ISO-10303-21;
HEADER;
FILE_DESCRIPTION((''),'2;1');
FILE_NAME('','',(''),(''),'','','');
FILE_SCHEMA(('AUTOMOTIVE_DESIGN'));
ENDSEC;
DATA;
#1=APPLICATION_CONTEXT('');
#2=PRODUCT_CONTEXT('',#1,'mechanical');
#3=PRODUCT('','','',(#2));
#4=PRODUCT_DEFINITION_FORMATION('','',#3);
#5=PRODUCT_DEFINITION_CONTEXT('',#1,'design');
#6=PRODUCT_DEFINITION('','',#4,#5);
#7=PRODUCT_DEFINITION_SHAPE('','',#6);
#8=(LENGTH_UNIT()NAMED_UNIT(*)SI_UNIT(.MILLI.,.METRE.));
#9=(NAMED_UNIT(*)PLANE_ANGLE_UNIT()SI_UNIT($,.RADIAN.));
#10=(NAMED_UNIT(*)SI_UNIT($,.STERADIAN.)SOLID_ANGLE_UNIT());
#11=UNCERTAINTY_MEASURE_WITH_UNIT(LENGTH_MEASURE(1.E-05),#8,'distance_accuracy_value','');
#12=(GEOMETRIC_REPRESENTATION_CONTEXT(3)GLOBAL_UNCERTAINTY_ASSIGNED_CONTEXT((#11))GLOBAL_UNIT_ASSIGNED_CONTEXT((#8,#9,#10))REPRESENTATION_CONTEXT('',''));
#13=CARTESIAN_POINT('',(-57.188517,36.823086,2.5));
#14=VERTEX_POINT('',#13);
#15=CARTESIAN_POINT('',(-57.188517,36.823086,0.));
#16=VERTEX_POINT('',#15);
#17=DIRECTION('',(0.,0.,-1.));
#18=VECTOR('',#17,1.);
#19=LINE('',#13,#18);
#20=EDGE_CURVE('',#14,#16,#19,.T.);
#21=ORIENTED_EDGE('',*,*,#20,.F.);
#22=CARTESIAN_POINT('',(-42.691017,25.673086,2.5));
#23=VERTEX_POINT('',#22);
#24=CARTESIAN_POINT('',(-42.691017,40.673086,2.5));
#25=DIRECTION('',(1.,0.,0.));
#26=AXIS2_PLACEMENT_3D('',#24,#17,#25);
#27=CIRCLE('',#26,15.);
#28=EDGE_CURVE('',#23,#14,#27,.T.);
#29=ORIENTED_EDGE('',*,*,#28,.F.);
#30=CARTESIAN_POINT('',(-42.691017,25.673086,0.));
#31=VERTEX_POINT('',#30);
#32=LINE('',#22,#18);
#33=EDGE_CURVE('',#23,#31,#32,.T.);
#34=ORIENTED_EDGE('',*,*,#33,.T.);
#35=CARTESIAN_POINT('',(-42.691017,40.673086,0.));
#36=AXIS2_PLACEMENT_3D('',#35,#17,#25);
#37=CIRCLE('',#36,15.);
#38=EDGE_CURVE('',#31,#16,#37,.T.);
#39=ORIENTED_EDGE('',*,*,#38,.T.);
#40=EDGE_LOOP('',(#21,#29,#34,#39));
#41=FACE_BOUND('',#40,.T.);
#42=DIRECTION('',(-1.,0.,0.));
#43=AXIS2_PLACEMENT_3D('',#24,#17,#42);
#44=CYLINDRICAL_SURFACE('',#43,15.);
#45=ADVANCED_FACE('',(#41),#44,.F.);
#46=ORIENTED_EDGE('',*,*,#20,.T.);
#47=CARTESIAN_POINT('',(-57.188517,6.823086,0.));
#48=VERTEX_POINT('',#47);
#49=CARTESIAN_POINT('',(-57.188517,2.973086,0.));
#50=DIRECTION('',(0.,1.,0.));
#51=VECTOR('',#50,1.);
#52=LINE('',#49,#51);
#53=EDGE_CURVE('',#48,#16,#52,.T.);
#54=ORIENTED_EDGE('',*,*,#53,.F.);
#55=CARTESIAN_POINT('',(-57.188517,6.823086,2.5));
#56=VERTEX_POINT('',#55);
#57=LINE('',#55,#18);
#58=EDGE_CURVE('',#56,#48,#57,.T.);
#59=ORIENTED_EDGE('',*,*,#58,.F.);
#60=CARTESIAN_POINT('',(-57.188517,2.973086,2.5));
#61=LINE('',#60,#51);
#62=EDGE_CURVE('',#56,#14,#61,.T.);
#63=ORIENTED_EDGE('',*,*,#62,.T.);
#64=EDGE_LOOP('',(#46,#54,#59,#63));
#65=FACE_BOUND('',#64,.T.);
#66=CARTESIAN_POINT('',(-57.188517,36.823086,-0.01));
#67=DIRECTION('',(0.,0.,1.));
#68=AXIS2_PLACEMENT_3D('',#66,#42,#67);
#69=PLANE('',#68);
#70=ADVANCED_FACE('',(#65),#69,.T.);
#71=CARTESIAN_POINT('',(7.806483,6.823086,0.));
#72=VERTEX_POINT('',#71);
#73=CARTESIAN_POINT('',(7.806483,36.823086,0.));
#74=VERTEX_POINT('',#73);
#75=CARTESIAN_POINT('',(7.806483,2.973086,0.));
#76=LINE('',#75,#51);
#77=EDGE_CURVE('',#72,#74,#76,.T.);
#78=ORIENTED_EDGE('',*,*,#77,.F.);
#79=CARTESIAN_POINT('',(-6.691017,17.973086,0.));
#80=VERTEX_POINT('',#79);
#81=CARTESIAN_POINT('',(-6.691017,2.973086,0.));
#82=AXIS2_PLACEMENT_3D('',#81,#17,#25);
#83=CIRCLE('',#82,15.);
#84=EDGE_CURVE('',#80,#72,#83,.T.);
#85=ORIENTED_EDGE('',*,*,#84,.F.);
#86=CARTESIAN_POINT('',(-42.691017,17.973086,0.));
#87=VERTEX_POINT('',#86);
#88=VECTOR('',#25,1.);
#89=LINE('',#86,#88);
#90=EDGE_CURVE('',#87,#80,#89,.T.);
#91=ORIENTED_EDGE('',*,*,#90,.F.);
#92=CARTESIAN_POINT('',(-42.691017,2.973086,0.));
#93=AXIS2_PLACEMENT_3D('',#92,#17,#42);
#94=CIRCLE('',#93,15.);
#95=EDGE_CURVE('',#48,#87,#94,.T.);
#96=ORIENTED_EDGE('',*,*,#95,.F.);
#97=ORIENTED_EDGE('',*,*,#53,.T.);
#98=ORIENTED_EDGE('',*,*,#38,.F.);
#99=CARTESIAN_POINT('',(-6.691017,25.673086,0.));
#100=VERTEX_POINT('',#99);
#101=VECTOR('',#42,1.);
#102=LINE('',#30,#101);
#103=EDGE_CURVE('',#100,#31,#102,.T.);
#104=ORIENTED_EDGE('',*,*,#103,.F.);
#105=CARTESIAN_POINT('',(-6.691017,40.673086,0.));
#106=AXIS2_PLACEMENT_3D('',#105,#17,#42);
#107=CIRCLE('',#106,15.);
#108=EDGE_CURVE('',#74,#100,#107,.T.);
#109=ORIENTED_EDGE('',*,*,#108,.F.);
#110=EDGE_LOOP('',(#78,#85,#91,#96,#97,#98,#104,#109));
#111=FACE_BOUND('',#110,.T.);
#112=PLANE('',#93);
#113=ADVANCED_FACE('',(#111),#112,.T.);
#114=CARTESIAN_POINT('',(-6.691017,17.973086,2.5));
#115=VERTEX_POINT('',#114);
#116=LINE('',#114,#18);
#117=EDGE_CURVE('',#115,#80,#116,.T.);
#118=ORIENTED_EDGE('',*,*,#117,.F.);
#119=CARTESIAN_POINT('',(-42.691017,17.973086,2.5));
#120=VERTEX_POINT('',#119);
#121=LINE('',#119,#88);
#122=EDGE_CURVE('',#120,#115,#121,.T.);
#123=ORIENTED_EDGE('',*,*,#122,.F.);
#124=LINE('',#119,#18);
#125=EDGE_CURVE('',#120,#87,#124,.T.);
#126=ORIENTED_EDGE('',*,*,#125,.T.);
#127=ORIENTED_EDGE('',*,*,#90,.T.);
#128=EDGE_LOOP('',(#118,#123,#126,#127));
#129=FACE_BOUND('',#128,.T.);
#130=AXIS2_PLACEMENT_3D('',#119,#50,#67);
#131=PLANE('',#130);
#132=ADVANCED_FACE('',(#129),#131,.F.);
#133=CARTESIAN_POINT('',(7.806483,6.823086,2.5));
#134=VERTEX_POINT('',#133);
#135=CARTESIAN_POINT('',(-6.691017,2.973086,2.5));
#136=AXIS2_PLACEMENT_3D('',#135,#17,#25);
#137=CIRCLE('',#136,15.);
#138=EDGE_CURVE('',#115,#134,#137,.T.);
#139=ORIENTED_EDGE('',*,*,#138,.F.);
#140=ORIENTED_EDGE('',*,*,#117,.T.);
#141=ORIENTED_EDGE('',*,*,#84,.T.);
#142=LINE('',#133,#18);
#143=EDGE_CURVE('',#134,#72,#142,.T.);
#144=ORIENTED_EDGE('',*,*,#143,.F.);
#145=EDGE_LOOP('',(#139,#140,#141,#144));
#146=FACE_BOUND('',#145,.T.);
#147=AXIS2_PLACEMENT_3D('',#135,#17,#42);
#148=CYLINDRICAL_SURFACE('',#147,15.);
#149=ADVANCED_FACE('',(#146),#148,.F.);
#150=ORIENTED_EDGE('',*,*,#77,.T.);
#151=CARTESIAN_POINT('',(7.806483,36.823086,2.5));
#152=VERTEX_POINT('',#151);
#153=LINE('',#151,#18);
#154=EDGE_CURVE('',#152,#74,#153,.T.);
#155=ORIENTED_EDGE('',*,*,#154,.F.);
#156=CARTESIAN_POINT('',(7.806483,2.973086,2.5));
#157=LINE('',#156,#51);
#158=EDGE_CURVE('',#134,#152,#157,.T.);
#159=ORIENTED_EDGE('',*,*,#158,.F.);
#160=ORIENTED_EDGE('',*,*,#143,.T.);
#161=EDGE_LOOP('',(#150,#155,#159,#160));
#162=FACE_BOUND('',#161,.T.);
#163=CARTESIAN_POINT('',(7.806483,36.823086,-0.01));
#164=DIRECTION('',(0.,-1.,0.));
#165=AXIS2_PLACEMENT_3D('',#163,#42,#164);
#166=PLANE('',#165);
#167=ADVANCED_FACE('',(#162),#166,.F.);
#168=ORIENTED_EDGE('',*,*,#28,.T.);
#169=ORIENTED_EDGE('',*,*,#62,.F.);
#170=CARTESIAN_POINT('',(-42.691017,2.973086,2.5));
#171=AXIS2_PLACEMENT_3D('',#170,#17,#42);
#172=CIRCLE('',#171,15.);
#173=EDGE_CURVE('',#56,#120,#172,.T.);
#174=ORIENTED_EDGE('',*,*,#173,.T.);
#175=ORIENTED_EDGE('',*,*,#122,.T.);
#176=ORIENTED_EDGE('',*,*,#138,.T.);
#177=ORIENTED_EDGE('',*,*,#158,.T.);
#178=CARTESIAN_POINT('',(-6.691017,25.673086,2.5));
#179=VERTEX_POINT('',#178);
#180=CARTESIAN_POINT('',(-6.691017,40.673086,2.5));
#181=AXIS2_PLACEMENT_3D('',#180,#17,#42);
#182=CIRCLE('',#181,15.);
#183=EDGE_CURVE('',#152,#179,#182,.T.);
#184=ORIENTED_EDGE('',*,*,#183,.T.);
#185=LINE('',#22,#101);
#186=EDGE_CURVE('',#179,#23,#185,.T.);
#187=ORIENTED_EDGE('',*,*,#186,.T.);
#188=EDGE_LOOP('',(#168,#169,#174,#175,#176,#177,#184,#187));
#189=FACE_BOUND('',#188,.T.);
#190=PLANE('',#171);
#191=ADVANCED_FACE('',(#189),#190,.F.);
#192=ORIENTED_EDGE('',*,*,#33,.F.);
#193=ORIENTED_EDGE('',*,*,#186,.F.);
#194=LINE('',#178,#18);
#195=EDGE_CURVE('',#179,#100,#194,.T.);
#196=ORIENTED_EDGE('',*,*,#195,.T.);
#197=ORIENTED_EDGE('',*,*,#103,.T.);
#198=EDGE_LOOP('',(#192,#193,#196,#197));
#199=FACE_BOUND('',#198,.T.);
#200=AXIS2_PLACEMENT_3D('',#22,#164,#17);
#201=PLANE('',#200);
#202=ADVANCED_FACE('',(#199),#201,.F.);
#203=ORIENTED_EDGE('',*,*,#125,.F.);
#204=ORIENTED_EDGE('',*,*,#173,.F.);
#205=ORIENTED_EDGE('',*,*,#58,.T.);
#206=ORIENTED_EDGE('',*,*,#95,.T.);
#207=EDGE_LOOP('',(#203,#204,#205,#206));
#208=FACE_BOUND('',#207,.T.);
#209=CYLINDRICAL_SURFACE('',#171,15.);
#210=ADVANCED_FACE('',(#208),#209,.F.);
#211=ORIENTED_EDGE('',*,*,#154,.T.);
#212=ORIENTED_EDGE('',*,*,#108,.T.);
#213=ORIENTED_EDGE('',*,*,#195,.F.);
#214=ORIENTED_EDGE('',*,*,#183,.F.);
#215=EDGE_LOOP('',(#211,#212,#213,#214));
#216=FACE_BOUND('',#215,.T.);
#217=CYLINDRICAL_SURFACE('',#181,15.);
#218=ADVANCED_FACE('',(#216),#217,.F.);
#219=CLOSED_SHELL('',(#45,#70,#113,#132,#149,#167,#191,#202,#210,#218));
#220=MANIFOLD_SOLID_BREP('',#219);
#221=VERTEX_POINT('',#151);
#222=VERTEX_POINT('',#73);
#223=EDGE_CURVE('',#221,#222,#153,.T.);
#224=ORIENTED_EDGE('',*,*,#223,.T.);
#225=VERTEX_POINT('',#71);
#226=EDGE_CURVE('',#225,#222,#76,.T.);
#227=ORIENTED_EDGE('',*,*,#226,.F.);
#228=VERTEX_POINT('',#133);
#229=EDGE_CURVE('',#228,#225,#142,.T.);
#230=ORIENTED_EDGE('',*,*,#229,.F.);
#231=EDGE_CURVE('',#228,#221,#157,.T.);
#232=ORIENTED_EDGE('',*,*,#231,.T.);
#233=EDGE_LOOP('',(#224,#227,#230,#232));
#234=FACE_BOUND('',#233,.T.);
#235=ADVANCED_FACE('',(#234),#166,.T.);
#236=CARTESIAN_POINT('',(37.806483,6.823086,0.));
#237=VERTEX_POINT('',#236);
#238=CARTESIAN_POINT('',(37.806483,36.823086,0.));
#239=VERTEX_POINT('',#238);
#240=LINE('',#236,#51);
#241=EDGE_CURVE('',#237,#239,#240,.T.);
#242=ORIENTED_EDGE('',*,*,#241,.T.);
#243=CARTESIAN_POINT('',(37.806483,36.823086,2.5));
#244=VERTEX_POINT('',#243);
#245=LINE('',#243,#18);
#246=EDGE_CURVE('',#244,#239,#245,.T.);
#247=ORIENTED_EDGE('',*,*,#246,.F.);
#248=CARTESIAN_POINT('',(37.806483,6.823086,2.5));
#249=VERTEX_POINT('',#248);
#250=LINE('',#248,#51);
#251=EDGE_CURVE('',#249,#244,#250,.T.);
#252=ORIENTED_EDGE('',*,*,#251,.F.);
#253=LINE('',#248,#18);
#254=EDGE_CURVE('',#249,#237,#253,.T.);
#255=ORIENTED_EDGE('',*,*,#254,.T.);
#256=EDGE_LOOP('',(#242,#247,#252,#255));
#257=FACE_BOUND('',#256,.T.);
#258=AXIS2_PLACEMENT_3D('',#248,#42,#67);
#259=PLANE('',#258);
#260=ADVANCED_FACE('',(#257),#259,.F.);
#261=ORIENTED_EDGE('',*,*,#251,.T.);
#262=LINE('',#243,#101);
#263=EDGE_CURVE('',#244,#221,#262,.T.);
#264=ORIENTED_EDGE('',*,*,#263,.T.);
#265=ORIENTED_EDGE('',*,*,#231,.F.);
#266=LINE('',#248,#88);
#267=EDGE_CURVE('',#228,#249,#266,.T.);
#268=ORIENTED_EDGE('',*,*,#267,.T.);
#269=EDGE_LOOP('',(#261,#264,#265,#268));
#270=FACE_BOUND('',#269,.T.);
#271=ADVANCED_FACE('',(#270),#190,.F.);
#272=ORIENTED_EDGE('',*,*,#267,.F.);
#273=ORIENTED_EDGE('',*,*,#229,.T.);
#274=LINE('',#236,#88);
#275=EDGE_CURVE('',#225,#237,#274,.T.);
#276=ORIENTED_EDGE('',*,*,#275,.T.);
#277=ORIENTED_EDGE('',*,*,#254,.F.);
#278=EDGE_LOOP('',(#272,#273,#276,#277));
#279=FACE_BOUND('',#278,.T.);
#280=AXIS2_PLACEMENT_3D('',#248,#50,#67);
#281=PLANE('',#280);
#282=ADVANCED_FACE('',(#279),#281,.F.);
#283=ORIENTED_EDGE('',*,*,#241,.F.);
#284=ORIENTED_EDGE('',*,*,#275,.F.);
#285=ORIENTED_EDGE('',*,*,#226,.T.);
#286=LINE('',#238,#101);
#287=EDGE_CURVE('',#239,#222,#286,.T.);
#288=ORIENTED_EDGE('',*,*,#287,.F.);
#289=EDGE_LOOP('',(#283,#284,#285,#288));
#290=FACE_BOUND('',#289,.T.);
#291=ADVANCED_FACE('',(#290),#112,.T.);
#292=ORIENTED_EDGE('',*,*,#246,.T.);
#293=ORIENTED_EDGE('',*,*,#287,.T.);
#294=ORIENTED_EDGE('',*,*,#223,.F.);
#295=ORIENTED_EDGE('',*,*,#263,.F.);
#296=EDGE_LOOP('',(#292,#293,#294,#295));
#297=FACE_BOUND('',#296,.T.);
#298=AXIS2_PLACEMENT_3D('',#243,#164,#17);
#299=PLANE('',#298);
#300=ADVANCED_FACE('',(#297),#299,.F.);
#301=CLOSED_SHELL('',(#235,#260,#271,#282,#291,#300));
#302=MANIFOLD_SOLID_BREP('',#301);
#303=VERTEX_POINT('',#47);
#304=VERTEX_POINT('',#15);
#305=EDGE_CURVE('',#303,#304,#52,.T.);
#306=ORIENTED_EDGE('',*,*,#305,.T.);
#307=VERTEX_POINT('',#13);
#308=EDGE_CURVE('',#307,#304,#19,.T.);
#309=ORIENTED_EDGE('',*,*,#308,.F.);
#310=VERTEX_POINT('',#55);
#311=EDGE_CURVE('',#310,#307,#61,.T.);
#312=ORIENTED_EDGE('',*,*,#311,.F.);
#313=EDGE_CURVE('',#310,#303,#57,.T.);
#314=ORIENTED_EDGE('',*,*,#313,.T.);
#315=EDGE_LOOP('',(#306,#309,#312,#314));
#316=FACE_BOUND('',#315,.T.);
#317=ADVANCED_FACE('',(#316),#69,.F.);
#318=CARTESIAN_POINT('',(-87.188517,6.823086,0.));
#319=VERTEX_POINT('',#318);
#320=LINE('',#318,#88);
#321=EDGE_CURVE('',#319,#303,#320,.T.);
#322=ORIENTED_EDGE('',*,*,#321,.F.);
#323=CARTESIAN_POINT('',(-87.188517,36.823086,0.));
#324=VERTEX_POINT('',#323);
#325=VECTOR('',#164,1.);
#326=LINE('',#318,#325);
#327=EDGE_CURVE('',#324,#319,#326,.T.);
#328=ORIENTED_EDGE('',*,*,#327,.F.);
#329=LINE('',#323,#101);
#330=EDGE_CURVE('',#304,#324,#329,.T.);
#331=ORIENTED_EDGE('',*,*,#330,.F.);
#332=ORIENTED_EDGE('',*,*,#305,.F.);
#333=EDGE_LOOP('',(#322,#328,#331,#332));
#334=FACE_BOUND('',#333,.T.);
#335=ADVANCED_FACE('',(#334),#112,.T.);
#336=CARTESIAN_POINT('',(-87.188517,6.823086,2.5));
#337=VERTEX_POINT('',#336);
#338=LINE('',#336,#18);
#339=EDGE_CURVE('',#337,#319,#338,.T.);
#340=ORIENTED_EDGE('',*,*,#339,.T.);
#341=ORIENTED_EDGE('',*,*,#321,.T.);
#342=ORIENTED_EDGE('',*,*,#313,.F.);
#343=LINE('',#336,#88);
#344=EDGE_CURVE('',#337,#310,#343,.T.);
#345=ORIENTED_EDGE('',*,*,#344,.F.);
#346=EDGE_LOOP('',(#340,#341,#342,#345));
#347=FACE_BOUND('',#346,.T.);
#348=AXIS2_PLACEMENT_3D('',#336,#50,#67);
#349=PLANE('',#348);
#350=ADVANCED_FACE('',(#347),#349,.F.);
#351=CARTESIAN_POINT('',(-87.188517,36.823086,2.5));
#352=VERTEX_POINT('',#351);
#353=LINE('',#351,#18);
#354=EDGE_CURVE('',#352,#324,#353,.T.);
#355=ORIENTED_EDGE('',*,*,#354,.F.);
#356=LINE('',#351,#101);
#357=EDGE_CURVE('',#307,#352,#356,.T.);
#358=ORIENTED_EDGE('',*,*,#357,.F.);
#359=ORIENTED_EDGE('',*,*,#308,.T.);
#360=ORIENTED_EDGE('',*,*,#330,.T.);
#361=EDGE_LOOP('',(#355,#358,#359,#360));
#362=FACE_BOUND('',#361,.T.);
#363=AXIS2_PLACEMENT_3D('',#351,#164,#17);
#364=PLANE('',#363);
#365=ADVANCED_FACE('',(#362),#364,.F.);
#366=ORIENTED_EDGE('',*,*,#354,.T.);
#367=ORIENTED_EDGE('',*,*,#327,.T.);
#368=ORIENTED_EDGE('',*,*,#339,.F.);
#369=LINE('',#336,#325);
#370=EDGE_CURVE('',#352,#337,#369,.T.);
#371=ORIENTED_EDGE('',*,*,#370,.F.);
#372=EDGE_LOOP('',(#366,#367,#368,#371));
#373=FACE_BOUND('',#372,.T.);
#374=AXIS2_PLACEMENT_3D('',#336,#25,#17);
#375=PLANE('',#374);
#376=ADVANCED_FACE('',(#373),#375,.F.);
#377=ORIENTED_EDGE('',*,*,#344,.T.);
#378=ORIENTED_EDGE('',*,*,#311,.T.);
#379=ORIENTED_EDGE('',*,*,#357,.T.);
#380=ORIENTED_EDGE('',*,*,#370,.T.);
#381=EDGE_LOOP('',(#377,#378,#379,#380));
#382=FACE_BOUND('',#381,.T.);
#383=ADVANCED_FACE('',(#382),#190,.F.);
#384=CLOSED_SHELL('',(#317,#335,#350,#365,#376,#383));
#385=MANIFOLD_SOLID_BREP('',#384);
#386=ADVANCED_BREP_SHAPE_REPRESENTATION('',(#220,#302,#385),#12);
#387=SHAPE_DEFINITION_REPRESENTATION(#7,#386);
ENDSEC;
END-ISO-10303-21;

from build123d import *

# Parameters (mm, degrees)
BOSS_EXTRUDE1_DEPTH      = 2.5
SPLIT1_SURFACE_1_1_BACK  = 129.569
SPLIT1_SURFACE_1_1_DEPTH = 259.138
SPLIT1_SURFACE_1_2_BACK  = 129.569
SPLIT1_SURFACE_1_2_DEPTH = 259.138
SPLIT1_SURFACE_2_3_BACK  = 129.569
SPLIT1_SURFACE_2_3_DEPTH = 259.138
SPLIT1_SURFACE_2_4_BACK  = 129.569
SPLIT1_SURFACE_2_4_DEPTH = 259.138


with BuildPart() as part:
    # Sketch1 → Boss-Extrude1 (new body)
    with BuildSketch(Plane.XY):
        with BuildLine():
            Line((-87.188517058, 6.82308605), (-87.188517058, 36.82308605))
            Line((-87.188517058, 36.82308605), (-57.188517058, 36.82308605))
            ThreePointArc((-57.188517058, 36.82308605), (-51.835687852, 28.782964099), (-42.691017273, 25.67308605))
            Line((-42.691017273, 25.67308605), (-6.691017273, 25.67308605))
            ThreePointArc((-6.691017273, 25.67308605), (2.453653306, 28.782964099), (7.806482511, 36.82308605))
            Line((7.806482511, 36.82308605), (37.806482511, 36.82308605))
            Line((37.806482511, 36.82308605), (37.806482511, 6.82308605))
            Line((37.806482511, 6.82308605), (7.806482511, 6.82308605))
            ThreePointArc((7.806482511, 6.82308605), (2.453653306, 14.863208001), (-6.691017273, 17.97308605))
            Line((-6.691017273, 17.97308605), (-42.691017273, 17.97308605))
            ThreePointArc((-42.691017273, 17.97308605), (-51.835687852, 14.863208001), (-57.188517058, 6.82308605))
            Line((-57.188517058, 6.82308605), (-87.188517058, 6.82308605))
        make_face()
    extrude(amount=BOSS_EXTRUDE1_DEPTH)


with BuildPart() as body_2:
    # Split1: the piece behind the surface
    add(part.part)
    # Split1 surface 1: a surface, the sketch's curves swept straight by 259.138 mm
    with BuildLine(Plane.XY.offset(2.5).offset(-SPLIT1_SURFACE_1_1_BACK), mode=Mode.PRIVATE) as split1_surface_1_1_path:
        Line((-57.188517058, 36.82308605), (-57.188517058, 6.82308605))
    split1_surface_1_1 = Shell.extrude(split1_surface_1_1_path.wire(), (0 * SPLIT1_SURFACE_1_1_DEPTH, 0 * SPLIT1_SURFACE_1_1_DEPTH, 1 * SPLIT1_SURFACE_1_1_DEPTH))
    split(bisect_by=split1_surface_1_1, keep=Keep.BOTTOM)


with BuildPart() as part_1:
    add(part.part)

    # Split1: split by a surface, the side it looks to stays
    # Split1 surface 1: a surface, the sketch's curves swept straight by 259.138 mm
    with BuildLine(Plane.XY.offset(2.5).offset(-SPLIT1_SURFACE_1_2_BACK), mode=Mode.PRIVATE) as split1_surface_1_2_path:
        Line((-57.188517058, 36.82308605), (-57.188517058, 6.82308605))
    split1_surface_1_2 = Shell.extrude(split1_surface_1_2_path.wire(), (0 * SPLIT1_SURFACE_1_2_DEPTH, 0 * SPLIT1_SURFACE_1_2_DEPTH, 1 * SPLIT1_SURFACE_1_2_DEPTH))
    split(bisect_by=split1_surface_1_2, keep=Keep.TOP)


with BuildPart() as body_3:
    # Split1 2: the piece behind the surface
    add(part_1.part)
    # Split1 surface 2: a surface, the sketch's curves swept straight by 259.138 mm
    with BuildLine(Plane.XY.offset(2.5).offset(-SPLIT1_SURFACE_2_3_BACK), mode=Mode.PRIVATE) as split1_surface_2_3_path:
        Line((7.806482511, 36.82308605), (7.806482511, 6.82308605))
    split1_surface_2_3 = Shell.extrude(split1_surface_2_3_path.wire(), (0 * SPLIT1_SURFACE_2_3_DEPTH, 0 * SPLIT1_SURFACE_2_3_DEPTH, 1 * SPLIT1_SURFACE_2_3_DEPTH))
    split(bisect_by=split1_surface_2_3, keep=Keep.BOTTOM)


with BuildPart() as part_2:
    add(part_1.part)

    # Split1 2: split by a surface, the side it looks to stays
    # Split1 surface 2: a surface, the sketch's curves swept straight by 259.138 mm
    with BuildLine(Plane.XY.offset(2.5).offset(-SPLIT1_SURFACE_2_4_BACK), mode=Mode.PRIVATE) as split1_surface_2_4_path:
        Line((7.806482511, 36.82308605), (7.806482511, 6.82308605))
    split1_surface_2_4 = Shell.extrude(split1_surface_2_4_path.wire(), (0 * SPLIT1_SURFACE_2_4_DEPTH, 0 * SPLIT1_SURFACE_2_4_DEPTH, 1 * SPLIT1_SURFACE_2_4_DEPTH))
    split(bisect_by=split1_surface_2_4, keep=Keep.TOP)


solid = Compound([body_2.part, body_3.part, part_2.part])
